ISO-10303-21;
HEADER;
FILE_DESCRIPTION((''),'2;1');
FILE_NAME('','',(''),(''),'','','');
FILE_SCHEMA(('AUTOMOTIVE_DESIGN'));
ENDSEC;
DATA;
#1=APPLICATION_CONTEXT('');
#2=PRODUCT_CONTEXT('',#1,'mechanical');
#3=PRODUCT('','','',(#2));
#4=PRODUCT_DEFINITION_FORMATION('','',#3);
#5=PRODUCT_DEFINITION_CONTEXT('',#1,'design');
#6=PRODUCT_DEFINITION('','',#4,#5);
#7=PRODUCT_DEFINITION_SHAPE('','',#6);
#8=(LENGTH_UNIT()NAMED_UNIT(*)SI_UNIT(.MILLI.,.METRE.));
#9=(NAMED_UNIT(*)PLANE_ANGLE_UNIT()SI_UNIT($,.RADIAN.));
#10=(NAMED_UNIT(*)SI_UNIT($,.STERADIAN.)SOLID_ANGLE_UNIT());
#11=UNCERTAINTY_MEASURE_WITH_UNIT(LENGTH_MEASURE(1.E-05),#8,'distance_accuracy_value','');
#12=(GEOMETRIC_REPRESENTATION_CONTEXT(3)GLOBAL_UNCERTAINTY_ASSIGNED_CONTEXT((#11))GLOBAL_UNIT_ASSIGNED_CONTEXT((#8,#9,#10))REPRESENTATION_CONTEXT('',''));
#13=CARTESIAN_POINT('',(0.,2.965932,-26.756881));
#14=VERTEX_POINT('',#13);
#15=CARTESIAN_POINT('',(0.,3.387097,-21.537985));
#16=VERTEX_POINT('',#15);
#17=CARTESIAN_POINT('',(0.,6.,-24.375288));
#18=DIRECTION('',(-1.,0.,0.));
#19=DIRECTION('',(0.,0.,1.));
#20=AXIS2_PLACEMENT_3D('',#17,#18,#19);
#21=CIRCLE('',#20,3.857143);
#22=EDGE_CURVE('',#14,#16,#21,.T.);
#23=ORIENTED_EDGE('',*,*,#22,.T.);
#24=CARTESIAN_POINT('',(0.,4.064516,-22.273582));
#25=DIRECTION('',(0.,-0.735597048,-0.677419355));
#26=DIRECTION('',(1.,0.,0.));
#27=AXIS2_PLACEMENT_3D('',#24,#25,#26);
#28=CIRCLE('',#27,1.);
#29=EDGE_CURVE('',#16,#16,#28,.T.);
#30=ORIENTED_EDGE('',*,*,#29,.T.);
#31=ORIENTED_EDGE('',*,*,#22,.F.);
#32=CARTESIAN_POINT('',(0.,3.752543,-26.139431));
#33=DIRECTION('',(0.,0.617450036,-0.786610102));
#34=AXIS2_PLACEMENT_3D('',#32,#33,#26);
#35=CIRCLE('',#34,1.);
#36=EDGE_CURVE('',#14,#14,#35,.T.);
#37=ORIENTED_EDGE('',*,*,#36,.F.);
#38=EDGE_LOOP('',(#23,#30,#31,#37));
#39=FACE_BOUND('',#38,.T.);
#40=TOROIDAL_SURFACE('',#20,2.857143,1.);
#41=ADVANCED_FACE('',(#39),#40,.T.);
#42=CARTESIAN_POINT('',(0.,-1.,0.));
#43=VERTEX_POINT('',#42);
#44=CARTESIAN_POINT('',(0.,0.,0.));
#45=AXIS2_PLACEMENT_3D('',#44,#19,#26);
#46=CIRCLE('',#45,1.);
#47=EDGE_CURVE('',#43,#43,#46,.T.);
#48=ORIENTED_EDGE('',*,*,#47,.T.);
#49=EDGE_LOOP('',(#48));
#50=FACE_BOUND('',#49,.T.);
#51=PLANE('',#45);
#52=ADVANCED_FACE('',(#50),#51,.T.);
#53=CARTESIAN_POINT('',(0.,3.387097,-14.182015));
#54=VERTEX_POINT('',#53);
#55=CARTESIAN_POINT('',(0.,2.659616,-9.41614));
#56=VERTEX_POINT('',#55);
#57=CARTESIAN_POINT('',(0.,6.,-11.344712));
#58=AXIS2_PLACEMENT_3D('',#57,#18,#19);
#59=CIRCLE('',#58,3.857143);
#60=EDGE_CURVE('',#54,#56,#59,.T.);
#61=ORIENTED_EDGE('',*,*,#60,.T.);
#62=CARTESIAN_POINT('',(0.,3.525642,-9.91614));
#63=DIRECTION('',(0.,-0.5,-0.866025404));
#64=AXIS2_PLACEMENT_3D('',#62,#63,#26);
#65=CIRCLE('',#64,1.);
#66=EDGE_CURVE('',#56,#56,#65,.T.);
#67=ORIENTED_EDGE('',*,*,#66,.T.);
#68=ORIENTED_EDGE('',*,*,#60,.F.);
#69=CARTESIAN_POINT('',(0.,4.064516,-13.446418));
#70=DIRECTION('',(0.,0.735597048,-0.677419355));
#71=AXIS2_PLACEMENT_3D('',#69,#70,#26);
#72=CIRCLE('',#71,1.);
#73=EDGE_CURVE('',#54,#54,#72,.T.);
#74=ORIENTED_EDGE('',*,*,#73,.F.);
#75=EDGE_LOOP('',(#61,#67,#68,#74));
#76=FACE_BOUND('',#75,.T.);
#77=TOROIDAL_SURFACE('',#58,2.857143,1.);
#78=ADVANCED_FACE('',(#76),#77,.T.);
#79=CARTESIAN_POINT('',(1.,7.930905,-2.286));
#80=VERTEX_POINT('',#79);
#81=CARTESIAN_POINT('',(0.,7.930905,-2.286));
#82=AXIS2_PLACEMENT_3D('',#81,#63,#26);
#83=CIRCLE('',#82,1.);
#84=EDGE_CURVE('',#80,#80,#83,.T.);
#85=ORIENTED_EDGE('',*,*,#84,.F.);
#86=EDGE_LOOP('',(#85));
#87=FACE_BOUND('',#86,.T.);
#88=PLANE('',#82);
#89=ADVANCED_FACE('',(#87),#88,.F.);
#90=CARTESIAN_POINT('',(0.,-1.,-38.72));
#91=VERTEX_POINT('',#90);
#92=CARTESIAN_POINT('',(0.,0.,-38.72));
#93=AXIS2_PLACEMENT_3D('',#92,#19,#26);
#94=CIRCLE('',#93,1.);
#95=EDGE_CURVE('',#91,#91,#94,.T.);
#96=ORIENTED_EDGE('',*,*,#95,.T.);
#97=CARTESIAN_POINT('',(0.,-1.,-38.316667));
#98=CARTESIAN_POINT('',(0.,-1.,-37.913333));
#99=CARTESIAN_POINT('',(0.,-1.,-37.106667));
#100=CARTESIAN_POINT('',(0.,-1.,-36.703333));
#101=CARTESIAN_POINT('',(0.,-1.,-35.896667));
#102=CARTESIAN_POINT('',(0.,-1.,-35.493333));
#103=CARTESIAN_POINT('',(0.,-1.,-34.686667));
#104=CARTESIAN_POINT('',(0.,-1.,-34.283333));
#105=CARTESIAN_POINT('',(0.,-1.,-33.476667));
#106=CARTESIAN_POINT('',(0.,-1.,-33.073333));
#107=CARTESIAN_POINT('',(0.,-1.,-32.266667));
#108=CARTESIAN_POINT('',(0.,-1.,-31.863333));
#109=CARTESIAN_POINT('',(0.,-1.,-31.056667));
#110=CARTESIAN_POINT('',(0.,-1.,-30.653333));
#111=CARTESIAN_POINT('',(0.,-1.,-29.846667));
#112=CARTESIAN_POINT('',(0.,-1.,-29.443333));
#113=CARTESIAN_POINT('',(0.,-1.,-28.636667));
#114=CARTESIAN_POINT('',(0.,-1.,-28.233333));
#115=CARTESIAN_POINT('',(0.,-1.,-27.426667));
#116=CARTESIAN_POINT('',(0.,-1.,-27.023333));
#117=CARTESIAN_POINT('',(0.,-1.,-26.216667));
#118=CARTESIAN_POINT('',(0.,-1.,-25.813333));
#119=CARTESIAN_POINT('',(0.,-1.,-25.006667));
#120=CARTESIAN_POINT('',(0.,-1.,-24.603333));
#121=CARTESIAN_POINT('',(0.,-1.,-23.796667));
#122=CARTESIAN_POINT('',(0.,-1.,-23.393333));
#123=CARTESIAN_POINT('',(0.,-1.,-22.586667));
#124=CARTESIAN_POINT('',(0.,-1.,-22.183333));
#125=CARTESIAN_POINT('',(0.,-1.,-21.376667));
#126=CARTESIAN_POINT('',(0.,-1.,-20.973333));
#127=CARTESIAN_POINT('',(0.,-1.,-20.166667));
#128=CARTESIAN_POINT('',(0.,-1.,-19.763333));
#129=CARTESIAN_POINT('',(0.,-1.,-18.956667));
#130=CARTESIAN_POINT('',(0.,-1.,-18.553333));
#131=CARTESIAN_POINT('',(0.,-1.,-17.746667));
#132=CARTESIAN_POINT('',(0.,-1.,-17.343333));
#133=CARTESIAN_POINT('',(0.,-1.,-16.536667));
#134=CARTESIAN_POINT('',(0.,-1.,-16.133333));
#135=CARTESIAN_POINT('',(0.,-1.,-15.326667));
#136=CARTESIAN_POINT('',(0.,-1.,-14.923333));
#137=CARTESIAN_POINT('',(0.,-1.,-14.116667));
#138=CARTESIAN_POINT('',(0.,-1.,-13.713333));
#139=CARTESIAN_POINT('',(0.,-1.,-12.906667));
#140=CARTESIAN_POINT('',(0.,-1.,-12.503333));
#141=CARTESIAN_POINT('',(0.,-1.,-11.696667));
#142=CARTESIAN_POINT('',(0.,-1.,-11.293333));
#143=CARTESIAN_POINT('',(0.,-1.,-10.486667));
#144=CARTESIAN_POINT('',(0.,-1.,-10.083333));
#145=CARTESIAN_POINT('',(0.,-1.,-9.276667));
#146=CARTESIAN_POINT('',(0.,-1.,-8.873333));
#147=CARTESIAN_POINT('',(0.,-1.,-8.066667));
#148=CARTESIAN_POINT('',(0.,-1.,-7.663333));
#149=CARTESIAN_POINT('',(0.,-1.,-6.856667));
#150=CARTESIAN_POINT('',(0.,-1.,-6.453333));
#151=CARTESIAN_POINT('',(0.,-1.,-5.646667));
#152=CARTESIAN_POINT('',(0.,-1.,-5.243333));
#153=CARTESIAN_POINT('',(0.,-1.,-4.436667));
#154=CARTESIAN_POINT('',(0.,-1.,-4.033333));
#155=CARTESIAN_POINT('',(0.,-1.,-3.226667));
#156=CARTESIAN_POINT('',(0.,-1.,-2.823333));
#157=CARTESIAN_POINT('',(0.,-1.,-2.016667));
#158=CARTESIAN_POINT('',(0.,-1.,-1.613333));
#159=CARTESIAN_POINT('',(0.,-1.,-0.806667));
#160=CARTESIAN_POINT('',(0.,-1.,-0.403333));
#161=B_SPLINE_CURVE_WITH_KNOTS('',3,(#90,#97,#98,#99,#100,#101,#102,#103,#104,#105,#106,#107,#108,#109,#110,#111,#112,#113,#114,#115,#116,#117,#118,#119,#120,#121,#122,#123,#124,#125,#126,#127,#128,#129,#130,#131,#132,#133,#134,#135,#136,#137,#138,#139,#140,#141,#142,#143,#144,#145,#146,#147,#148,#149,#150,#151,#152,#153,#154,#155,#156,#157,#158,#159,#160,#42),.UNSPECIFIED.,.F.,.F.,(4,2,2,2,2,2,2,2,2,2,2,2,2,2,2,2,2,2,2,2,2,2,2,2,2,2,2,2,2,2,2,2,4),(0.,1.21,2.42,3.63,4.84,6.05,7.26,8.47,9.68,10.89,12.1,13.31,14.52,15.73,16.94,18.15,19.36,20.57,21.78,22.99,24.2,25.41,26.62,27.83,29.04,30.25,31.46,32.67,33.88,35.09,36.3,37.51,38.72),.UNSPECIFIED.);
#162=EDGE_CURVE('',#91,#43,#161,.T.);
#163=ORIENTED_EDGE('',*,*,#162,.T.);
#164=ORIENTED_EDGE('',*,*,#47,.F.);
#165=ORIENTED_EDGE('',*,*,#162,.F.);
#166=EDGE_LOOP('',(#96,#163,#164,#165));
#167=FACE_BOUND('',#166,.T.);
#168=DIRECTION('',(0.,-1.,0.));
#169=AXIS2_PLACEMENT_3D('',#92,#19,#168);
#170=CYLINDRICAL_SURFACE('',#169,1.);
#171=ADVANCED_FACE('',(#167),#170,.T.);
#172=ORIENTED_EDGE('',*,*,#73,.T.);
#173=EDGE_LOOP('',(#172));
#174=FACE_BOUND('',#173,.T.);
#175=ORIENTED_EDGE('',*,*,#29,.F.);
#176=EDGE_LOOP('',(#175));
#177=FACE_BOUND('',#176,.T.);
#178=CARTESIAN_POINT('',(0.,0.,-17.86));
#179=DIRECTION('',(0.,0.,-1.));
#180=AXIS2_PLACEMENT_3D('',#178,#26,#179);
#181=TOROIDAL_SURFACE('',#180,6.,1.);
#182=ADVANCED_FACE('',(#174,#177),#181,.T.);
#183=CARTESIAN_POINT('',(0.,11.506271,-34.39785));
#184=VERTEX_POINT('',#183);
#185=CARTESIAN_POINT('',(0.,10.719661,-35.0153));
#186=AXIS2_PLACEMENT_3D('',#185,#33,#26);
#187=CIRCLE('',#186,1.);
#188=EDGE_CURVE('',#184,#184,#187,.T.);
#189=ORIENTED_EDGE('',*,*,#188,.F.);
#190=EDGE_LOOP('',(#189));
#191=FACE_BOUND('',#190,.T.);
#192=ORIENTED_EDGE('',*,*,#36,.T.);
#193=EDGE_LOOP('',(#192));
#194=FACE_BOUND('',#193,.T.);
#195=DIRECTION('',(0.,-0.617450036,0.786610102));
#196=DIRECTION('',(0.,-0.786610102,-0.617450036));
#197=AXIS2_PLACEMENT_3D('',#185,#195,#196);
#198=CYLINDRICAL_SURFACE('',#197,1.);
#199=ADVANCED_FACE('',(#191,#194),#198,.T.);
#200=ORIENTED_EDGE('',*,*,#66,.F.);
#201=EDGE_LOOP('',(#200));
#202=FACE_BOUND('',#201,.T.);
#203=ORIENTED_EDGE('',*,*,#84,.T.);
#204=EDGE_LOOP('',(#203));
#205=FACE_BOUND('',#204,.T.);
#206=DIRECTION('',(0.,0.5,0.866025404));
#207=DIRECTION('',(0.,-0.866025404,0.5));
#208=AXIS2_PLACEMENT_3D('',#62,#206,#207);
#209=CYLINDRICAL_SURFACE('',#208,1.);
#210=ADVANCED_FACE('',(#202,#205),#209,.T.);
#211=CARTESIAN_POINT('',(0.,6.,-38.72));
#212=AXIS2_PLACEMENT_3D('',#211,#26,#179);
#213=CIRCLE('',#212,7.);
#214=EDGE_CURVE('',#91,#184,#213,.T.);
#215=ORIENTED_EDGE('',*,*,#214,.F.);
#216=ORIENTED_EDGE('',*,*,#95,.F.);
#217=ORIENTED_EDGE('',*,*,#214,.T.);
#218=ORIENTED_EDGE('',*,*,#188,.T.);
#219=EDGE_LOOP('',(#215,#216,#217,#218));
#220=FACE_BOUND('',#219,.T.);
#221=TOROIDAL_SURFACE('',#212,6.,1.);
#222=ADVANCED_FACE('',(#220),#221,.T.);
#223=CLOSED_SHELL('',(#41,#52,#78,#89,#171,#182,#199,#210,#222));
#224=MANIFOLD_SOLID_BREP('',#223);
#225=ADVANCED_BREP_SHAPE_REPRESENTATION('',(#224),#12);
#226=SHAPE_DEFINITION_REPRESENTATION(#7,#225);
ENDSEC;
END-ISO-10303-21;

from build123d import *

# Parameters (mm, degrees)
SKETCH1_R = 1


with BuildPart() as part:
    # Sweep1: sweep along a path in Sketch2
    with BuildLine(Plane(origin=(0, 0, 0), x_dir=(0, 0, -1), z_dir=(1, 0, 0))) as sweep1_path:
        Line((0, 0), (38.72, 0))
        ThreePointArc((38.72, 0), (44.390888981, 7.959851567), (35.015299782, 10.719660612))
        Line((35.015299782, 10.719660612), (26.139431104, 3.752542566))
        ThreePointArc((26.139431104, 3.752542566), (24.145464184, 3.152115477), (22.273582291, 4.064516129))
        ThreePointArc((22.273582291, 4.064516129), (17.86, 6), (13.446417709, 4.064516129))
        ThreePointArc((13.446417709, 4.064516129), (11.775842811, 3.175572375), (9.916140428, 3.525641703))
        Line((9.916140428, 3.525641703), (2.286, 7.930905334))
    # Sketch1 → Sweep1 (sweep)
    with BuildSketch(Plane.XY):
        Circle(SKETCH1_R)
    sweep(path=sweep1_path.line)


solid = part.part
